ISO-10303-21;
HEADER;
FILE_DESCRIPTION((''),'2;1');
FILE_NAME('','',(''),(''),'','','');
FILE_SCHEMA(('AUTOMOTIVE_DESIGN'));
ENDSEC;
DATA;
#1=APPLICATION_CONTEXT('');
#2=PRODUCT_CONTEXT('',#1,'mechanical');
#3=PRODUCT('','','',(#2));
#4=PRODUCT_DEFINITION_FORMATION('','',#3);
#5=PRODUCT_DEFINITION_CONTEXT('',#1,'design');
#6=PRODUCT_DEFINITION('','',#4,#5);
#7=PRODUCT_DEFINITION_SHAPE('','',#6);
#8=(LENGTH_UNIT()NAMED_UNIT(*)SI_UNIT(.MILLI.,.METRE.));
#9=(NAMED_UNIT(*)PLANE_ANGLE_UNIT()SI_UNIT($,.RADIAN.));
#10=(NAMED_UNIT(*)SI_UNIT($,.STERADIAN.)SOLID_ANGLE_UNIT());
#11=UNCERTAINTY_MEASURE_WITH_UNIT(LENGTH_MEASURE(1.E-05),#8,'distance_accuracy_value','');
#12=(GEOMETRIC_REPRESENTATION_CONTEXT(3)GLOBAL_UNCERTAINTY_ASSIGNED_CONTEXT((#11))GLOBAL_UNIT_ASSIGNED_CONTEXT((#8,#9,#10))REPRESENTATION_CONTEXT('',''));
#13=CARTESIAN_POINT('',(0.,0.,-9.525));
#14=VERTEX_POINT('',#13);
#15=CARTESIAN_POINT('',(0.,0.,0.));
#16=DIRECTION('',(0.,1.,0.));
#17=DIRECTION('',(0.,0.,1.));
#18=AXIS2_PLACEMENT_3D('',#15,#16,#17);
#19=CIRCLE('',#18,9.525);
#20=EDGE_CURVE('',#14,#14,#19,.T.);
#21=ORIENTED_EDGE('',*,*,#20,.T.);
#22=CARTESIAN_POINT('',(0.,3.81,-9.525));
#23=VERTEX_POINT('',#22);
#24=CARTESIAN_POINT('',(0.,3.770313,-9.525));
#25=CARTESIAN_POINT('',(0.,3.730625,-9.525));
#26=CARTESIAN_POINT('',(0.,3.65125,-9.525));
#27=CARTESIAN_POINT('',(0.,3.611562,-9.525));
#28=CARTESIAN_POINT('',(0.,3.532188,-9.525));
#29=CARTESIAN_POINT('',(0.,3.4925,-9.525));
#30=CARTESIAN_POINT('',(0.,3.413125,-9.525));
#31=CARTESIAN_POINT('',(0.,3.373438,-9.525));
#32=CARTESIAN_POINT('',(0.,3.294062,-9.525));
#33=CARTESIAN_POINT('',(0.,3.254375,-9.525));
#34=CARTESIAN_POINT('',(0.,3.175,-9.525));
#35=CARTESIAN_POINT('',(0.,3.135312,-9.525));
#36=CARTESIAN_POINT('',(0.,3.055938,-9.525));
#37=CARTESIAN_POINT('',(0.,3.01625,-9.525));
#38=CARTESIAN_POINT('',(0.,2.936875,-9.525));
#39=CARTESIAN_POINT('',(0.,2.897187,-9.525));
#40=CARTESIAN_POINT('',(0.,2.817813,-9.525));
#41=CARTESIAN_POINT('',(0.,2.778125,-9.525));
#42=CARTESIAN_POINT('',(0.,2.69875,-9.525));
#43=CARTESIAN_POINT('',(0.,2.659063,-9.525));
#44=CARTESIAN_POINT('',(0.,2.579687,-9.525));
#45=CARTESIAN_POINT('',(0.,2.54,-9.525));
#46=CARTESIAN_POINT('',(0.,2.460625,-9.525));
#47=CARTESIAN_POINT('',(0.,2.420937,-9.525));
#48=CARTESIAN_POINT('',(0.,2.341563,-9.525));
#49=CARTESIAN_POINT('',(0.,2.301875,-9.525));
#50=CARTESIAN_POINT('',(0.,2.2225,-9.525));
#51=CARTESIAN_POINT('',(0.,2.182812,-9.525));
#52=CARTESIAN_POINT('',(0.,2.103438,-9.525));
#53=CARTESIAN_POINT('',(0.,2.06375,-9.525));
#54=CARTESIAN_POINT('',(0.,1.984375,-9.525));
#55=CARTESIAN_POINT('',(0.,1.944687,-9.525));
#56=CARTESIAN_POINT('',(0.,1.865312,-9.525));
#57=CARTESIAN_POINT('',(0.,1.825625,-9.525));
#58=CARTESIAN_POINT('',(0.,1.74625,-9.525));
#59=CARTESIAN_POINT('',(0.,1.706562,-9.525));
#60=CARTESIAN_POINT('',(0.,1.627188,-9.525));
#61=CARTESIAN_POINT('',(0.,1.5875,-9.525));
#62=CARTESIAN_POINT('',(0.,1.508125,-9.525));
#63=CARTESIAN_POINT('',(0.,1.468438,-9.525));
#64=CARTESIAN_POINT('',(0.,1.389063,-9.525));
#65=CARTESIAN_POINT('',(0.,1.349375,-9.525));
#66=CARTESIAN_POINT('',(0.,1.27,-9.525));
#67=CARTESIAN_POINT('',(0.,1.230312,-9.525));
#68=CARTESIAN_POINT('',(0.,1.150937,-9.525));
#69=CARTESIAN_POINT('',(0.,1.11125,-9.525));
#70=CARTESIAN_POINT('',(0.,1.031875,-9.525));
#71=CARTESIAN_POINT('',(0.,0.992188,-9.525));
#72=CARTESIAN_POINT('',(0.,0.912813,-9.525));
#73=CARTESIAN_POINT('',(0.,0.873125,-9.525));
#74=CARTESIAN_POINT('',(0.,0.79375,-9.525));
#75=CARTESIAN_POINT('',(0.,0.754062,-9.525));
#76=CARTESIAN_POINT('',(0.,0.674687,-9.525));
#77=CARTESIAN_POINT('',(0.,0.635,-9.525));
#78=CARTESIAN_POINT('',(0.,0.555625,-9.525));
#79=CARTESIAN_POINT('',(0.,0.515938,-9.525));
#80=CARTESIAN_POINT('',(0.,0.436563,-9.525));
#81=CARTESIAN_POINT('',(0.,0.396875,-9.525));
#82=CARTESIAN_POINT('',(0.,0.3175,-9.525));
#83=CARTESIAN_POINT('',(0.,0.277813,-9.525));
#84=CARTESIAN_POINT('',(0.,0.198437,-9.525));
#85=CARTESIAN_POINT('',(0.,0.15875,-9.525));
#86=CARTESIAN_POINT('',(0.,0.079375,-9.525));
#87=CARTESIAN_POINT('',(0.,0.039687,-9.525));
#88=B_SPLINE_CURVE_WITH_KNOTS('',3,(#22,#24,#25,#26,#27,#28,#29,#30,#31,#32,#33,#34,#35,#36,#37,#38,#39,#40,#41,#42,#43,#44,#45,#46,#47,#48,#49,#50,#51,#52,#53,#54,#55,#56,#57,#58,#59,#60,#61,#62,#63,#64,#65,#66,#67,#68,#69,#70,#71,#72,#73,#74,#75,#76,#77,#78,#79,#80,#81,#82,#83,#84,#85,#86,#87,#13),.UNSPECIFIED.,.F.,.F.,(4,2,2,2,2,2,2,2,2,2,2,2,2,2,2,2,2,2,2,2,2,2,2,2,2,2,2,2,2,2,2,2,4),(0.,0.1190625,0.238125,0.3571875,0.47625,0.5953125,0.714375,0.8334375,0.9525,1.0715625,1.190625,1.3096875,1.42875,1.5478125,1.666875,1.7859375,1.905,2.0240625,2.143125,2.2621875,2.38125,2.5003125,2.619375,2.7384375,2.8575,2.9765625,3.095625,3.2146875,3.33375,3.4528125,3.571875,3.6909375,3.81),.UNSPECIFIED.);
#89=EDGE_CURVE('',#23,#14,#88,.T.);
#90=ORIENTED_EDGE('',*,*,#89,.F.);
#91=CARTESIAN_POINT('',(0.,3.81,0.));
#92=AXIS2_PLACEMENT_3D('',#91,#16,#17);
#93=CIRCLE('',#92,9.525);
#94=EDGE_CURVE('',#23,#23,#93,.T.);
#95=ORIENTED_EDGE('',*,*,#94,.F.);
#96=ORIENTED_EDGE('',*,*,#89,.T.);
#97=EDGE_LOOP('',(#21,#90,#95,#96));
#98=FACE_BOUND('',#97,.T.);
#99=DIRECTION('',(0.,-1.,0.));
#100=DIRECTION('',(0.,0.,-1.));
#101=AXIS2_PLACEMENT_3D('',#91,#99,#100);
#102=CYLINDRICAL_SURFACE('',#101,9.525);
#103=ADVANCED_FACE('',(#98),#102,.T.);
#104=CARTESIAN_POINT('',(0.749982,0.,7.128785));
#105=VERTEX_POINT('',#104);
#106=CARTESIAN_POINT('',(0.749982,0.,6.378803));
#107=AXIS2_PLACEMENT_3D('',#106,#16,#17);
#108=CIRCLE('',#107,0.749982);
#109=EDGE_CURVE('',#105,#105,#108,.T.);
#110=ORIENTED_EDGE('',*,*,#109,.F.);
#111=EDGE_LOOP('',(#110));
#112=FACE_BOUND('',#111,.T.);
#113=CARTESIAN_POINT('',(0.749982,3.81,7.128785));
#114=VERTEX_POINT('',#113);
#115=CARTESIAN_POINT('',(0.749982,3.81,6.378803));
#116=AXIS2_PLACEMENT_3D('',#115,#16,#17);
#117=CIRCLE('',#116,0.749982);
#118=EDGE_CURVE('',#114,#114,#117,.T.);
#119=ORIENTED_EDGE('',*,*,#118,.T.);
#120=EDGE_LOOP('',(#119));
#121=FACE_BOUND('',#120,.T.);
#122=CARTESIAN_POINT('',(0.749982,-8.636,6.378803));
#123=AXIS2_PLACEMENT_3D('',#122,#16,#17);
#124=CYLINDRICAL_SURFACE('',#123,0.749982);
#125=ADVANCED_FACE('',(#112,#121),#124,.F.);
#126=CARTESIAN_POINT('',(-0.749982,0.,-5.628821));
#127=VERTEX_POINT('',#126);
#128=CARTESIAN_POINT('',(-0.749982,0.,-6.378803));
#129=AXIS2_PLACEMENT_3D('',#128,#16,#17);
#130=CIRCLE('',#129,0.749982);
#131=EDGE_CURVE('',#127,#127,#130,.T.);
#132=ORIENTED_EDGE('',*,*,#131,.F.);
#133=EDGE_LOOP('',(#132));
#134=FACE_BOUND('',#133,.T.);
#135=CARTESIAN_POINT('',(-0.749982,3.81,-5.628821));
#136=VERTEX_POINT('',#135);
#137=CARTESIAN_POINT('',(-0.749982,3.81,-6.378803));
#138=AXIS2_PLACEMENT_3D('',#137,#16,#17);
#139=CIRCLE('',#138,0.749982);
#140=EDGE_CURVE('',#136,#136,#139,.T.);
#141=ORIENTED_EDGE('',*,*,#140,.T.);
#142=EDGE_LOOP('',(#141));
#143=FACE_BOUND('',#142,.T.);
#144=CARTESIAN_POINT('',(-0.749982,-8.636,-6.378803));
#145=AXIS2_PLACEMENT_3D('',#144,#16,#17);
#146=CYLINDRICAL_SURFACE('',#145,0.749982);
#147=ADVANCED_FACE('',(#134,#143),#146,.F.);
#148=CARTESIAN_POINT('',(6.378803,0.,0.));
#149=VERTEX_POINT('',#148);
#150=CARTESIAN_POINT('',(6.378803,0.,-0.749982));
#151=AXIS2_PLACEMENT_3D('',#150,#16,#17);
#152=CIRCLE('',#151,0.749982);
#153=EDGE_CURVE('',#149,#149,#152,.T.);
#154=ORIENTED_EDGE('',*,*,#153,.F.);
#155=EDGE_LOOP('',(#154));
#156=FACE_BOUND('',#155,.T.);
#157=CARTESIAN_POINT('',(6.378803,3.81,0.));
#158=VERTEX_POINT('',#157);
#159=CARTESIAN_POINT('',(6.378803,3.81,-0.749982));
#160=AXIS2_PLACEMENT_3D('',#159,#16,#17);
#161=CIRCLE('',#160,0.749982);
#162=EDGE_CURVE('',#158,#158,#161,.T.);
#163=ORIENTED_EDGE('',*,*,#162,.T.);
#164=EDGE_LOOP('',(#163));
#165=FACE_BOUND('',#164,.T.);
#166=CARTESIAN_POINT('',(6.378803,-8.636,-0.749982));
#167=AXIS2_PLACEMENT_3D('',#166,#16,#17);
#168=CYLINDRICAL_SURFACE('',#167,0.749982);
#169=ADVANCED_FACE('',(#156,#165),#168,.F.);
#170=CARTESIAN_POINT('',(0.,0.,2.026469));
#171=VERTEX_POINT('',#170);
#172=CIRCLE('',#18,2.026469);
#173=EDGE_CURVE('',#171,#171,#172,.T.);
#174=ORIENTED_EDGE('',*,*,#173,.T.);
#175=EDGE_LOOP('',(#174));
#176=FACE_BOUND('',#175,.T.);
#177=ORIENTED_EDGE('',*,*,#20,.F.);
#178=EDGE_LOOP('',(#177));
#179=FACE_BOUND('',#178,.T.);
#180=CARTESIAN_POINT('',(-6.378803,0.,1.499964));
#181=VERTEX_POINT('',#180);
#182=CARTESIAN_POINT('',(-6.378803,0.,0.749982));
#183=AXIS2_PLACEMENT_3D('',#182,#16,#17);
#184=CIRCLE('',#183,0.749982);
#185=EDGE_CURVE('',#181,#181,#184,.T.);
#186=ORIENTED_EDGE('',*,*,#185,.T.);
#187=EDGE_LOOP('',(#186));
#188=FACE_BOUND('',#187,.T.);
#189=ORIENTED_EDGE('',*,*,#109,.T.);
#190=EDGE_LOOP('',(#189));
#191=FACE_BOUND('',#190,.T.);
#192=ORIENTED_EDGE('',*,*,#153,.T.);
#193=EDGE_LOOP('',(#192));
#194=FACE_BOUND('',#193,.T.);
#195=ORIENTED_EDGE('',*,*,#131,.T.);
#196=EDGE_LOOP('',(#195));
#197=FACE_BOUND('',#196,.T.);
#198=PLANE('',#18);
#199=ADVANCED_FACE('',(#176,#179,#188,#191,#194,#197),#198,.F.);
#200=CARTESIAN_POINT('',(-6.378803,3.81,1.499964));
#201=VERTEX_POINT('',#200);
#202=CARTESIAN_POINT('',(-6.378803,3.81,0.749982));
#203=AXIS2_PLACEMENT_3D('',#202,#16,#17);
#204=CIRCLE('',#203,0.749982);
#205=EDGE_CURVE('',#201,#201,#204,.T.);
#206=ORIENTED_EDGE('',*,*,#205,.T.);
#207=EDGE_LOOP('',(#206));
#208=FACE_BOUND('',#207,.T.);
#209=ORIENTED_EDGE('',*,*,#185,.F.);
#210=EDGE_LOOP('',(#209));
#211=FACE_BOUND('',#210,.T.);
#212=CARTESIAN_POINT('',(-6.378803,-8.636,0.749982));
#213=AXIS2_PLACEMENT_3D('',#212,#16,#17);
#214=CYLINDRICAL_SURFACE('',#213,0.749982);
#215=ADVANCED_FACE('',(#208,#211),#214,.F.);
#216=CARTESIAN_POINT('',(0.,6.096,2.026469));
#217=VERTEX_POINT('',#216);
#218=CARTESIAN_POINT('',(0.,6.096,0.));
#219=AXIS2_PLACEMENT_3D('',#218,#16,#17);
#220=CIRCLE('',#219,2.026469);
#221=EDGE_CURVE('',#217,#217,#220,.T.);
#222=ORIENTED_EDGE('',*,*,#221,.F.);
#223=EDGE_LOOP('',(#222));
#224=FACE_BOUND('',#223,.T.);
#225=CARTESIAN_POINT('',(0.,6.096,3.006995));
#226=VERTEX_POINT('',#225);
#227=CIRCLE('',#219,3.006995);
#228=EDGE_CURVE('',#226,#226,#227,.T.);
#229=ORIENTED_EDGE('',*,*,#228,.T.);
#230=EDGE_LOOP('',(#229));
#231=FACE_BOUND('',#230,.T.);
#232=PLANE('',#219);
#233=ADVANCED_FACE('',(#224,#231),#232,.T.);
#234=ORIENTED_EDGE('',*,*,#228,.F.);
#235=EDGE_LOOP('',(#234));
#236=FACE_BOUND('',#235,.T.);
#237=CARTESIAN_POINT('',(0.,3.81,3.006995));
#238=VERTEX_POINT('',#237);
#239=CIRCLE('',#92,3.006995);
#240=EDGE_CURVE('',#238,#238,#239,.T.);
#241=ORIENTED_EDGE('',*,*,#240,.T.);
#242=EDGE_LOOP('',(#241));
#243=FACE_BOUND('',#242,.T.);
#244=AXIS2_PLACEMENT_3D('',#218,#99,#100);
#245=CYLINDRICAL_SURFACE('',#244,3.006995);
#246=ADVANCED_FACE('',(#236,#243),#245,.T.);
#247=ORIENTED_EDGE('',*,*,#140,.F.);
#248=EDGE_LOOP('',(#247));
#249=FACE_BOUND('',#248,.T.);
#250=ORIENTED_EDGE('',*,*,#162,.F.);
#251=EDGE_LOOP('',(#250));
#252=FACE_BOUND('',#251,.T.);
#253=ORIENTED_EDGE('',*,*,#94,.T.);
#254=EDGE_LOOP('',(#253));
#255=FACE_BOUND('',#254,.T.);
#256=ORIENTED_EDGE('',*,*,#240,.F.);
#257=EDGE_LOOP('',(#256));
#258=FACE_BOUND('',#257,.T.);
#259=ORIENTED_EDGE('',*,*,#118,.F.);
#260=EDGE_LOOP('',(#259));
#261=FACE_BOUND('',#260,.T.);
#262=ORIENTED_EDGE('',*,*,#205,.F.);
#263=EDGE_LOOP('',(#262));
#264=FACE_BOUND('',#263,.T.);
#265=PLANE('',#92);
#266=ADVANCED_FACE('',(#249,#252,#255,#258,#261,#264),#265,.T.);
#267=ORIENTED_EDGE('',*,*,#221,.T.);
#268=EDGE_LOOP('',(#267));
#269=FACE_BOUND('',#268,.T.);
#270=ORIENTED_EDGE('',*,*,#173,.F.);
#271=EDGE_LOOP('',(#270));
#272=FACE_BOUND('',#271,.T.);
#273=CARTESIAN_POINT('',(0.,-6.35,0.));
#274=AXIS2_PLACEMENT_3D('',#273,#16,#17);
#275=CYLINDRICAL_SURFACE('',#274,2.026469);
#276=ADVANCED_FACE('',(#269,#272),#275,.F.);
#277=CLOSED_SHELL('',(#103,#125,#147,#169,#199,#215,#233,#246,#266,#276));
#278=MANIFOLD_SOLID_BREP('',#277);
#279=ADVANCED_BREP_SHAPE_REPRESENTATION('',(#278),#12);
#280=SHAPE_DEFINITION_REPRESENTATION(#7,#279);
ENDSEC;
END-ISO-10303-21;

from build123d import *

# Parameters (mm, degrees)
SKETCH1_R           = 9.525
BOSS_EXTRUDE1_DEPTH = 3.81
SKETCH2_R           = 3.006995321
BOSS_EXTRUDE2_DEPTH = 2.286
SKETCH3_R           = 0.749981853
CUT_EXTRUDE1_DEPTH  = 12.446
SKETCH4_R           = 2.02646881
CUT_EXTRUDE2_DEPTH  = 12.446


with BuildPart() as part:
    # Sketch1 → Boss-Extrude1 (new body)
    with BuildSketch(Plane(origin=(0, 0, 0), x_dir=(1, 0, 0), z_dir=(0, 1, 0))):
        with Locations(Location((0, 0, 0), (0, 0, 90))):
            Circle(SKETCH1_R)
    extrude(amount=BOSS_EXTRUDE1_DEPTH)

    # Sketch2 → Boss-Extrude2 (add)
    with BuildSketch(Plane(origin=(0, 3.81, 0), x_dir=(1, 0, 0), z_dir=(0, 1, 0))):
        with Locations(Location((0, 0, 0), (0, 0, 270))):
            Circle(SKETCH2_R)
    extrude(amount=BOSS_EXTRUDE2_DEPTH)

    # Sketch3 → Cut-Extrude1 (cut)
    with BuildSketch(Plane(origin=(0, 3.81, 0), x_dir=(1, 0, 0), z_dir=(0, 1, 0))):
        with Locations(Location((-0.749981853, 6.378803081, 0), (0, 0, 270))):
            Circle(SKETCH3_R)
        with Locations(Location((6.378803081, 0.749981853, 0), (0, 0, 270))):
            Circle(SKETCH3_R)
        with Locations(Location((0.749981853, -6.378803081, 0), (0, 0, 270))):
            Circle(SKETCH3_R)
        with Locations(Location((-6.378803081, -0.749981853, 0), (0, 0, 270))):
            Circle(SKETCH3_R)
    extrude(amount=-CUT_EXTRUDE1_DEPTH, mode=Mode.SUBTRACT)

    # Sketch4 → Cut-Extrude2 (cut)
    with BuildSketch(Plane(origin=(0, 6.096, 0), x_dir=(1, 0, 0), z_dir=(0, 1, 0))):
        with Locations(Location((0, 0, 0), (0, 0, 270))):
            Circle(SKETCH4_R)
    extrude(amount=-CUT_EXTRUDE2_DEPTH, mode=Mode.SUBTRACT)


solid = part.part
